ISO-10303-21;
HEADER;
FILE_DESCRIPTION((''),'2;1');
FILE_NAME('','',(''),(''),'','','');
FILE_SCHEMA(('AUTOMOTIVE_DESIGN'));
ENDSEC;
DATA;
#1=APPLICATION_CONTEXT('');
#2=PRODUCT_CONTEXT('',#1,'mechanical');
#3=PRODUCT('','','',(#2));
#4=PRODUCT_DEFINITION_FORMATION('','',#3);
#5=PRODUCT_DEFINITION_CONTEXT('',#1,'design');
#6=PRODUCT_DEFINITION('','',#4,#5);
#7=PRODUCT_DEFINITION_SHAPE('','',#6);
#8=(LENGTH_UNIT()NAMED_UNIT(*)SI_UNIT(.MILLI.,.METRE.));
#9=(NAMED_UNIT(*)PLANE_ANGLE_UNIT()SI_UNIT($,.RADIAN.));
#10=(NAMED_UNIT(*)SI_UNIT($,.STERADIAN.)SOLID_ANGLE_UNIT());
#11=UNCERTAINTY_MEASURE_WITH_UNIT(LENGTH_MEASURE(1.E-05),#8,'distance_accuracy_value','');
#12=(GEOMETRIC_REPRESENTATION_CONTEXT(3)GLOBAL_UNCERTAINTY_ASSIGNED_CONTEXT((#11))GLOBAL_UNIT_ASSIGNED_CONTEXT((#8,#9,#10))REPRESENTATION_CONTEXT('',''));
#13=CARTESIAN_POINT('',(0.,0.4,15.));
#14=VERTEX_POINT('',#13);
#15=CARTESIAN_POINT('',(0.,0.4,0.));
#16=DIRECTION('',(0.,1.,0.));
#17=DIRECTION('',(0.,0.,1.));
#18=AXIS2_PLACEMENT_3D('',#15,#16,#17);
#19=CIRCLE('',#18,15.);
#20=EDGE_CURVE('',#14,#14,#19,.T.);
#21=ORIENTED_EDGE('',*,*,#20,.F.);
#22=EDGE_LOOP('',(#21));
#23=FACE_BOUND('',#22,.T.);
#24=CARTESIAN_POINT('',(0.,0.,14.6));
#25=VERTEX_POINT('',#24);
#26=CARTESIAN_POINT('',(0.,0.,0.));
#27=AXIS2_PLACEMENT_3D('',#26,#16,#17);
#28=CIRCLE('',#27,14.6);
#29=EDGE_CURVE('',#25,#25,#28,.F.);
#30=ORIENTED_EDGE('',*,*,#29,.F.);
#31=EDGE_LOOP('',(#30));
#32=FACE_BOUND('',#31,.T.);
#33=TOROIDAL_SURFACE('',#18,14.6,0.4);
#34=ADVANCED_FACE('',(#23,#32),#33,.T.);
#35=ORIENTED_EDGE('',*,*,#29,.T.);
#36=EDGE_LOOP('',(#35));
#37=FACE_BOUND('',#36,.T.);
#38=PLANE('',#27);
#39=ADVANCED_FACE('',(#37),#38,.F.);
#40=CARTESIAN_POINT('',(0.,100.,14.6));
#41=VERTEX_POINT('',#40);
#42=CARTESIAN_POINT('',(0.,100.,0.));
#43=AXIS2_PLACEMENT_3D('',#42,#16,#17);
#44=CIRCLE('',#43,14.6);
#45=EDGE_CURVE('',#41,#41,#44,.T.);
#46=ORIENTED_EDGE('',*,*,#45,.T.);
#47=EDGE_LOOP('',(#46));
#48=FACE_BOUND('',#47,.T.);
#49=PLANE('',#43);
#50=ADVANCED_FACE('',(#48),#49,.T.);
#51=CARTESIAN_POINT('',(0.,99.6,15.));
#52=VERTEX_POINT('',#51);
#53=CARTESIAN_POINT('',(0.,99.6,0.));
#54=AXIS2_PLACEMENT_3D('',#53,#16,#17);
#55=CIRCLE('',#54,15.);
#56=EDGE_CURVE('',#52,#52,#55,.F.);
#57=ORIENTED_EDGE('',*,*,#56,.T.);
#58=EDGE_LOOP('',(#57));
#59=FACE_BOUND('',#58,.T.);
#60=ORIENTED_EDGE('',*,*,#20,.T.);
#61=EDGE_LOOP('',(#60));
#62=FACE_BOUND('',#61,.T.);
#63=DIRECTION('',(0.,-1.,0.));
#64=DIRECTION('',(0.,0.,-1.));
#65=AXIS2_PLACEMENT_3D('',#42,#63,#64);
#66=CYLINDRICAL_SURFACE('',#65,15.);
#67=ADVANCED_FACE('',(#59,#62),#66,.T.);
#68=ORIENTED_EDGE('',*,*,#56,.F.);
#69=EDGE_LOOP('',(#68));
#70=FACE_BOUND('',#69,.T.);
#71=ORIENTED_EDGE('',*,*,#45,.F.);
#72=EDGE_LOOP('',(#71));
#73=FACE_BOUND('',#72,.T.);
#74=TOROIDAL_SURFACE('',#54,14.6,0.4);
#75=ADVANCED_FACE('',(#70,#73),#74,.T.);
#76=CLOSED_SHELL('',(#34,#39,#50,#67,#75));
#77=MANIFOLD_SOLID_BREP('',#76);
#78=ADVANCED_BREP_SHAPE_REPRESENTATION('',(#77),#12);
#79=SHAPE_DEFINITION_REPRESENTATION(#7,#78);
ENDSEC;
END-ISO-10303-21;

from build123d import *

# Parameters (mm, degrees)
SKETCH1_R           = 15
BOSS_EXTRUDE1_DEPTH = 100
FILLET1_R           = 0.4


with BuildPart() as part:
    # Sketch1 → Boss-Extrude1 (new body)
    with BuildSketch(Plane(origin=(0, 0, 0), x_dir=(1, 0, 0), z_dir=(0, 1, 0))):
        Circle(SKETCH1_R)
    extrude(amount=BOSS_EXTRUDE1_DEPTH)

    # Fillet1
    fillet1_edges = [part.edges().sort_by_distance(p)[0] for p in [
        (-15, 0, 0),
        (-15, 100, 0),
    ]]
    fillet(fillet1_edges, radius=FILLET1_R)


solid = part.part
